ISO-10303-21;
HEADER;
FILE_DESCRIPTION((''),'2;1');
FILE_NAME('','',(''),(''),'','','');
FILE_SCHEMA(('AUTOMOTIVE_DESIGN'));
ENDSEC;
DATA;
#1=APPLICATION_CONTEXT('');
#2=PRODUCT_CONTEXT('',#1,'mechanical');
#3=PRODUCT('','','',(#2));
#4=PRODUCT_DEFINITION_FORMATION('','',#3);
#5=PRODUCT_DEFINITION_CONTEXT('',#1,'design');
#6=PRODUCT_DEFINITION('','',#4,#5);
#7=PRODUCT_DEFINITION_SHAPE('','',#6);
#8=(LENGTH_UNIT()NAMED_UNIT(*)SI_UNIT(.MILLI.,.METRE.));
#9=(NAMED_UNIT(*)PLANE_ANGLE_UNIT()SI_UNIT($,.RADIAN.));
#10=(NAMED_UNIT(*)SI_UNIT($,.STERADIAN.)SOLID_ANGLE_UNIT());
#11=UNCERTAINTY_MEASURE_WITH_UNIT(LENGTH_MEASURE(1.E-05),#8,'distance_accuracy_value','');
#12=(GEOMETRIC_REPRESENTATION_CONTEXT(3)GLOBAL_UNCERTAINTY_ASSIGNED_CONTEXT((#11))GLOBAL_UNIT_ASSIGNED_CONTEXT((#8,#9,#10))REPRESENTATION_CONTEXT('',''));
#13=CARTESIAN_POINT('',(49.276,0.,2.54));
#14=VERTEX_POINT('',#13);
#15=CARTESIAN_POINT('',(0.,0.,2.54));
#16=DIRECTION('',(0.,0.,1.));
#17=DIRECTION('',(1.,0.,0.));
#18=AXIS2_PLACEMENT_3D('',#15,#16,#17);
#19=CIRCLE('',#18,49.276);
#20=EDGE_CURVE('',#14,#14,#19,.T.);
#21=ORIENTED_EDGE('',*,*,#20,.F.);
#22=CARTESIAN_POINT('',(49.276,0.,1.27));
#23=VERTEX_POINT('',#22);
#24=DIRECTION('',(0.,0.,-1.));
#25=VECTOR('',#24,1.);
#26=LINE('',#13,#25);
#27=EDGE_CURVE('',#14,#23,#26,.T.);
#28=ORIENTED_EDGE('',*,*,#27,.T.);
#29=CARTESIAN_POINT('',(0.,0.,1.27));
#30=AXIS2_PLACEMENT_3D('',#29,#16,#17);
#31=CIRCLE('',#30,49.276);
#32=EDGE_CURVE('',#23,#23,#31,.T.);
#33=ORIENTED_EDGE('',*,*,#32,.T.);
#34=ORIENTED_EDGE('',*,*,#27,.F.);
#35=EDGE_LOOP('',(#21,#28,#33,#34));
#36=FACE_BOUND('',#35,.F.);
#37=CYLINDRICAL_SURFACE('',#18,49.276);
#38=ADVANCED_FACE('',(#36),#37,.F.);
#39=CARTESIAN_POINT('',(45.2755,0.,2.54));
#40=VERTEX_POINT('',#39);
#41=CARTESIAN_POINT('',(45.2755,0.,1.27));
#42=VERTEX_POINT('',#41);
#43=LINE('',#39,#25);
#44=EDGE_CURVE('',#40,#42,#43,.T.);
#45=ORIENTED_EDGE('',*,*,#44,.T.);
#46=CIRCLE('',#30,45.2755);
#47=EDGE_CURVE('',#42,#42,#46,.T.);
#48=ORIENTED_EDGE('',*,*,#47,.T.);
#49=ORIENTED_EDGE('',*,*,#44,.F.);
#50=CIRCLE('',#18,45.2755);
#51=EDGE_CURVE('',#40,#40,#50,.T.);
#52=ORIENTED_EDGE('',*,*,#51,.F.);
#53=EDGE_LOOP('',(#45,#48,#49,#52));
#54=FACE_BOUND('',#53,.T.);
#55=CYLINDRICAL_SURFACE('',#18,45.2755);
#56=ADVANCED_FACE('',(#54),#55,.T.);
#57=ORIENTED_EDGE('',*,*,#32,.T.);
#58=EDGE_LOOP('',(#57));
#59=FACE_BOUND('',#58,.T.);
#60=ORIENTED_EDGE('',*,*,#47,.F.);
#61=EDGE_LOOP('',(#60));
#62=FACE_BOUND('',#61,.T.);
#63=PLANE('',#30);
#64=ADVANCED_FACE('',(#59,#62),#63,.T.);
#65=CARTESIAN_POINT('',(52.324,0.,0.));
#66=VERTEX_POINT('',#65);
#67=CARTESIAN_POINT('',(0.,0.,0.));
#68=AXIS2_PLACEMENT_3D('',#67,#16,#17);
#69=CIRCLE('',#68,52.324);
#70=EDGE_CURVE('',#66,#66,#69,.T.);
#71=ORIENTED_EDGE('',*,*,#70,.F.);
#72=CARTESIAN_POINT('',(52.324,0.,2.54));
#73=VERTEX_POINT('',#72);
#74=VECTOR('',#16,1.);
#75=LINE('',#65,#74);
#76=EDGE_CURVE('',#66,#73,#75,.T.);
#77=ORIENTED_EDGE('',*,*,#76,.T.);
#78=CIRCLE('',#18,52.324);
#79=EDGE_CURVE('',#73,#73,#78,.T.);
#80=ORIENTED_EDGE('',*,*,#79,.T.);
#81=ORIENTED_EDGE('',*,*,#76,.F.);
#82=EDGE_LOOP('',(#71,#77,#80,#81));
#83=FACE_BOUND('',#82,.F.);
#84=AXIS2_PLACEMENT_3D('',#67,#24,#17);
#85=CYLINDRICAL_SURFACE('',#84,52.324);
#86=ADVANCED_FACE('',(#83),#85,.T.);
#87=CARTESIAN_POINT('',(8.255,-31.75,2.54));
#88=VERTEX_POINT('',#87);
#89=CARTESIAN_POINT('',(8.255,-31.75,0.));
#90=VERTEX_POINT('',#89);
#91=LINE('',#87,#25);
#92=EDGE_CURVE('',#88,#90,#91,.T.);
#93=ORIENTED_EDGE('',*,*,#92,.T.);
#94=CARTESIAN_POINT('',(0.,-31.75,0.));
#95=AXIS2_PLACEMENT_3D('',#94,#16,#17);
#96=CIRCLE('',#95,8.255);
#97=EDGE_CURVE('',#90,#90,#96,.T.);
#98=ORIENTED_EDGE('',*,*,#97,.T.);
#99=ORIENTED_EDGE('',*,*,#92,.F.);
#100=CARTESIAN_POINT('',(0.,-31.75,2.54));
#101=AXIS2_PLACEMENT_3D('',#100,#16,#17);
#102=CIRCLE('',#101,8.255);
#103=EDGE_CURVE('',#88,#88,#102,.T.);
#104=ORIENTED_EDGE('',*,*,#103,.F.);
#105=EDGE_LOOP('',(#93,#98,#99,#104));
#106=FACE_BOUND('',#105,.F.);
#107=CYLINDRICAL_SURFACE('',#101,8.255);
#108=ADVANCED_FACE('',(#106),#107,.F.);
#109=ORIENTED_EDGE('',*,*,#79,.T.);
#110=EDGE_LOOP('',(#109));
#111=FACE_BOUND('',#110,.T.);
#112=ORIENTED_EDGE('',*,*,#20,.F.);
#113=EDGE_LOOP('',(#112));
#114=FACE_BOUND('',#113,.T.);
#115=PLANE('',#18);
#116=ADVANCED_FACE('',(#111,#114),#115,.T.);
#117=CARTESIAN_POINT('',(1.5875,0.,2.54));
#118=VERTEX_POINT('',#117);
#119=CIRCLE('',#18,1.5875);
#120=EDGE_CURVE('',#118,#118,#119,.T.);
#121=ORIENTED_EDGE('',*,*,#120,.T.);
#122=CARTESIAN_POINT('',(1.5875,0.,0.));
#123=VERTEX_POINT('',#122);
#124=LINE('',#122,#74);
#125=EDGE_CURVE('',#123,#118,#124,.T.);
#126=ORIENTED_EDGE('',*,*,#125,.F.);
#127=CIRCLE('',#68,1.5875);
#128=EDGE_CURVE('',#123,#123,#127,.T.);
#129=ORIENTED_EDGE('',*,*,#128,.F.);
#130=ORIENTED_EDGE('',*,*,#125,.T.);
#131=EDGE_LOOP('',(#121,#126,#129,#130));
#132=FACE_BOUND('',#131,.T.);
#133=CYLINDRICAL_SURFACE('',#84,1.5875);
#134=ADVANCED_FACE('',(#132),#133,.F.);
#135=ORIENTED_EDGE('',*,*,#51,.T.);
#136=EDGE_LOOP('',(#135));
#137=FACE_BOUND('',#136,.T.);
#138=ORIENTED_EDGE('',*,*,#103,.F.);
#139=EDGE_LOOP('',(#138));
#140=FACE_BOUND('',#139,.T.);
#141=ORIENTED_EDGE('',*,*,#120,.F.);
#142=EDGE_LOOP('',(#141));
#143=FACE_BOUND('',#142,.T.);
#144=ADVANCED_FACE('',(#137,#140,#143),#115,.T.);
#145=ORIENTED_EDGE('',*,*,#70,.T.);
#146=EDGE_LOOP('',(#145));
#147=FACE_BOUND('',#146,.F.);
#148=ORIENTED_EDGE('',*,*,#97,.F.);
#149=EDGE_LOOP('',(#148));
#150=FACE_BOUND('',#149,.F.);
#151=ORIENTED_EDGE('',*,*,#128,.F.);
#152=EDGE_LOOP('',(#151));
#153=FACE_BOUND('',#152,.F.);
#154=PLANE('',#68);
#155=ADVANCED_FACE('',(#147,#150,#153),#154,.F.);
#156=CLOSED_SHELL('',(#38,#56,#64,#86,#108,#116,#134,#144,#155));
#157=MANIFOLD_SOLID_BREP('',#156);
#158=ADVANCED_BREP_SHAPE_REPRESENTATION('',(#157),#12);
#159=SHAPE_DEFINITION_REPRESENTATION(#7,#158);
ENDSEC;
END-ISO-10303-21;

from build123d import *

# Parameters (mm, degrees)
F0_R     = 52.324
F0_R_2   = 1.5875
F1_DEPTH = 2.54
F2_R     = 49.276
F2_R_2   = 45.2755
F3_DEPTH = 1.27
F4_R     = 8.255
F5_DEPTH = 2.541


with BuildPart() as f1:
    # F0 (on Top) → F1 (new body)
    with BuildSketch(Plane.XY):
        Circle(F0_R)
        Circle(F0_R_2, mode=Mode.SUBTRACT)
    extrude(amount=F1_DEPTH)

    # F2 (on face) → F3 (cut)
    with BuildSketch(Plane.XY.offset(2.54)):
        Circle(F2_R)
        Circle(F2_R_2, mode=Mode.SUBTRACT)
    extrude(amount=-F3_DEPTH, mode=Mode.SUBTRACT)

    # F4 (on face) → F5 (cut, through all)
    with BuildSketch(Plane.XY.offset(2.54)):
        with Locations((0, -31.75)):
            Circle(F4_R)
    extrude(amount=-F5_DEPTH, mode=Mode.SUBTRACT)


solid = f1.part
